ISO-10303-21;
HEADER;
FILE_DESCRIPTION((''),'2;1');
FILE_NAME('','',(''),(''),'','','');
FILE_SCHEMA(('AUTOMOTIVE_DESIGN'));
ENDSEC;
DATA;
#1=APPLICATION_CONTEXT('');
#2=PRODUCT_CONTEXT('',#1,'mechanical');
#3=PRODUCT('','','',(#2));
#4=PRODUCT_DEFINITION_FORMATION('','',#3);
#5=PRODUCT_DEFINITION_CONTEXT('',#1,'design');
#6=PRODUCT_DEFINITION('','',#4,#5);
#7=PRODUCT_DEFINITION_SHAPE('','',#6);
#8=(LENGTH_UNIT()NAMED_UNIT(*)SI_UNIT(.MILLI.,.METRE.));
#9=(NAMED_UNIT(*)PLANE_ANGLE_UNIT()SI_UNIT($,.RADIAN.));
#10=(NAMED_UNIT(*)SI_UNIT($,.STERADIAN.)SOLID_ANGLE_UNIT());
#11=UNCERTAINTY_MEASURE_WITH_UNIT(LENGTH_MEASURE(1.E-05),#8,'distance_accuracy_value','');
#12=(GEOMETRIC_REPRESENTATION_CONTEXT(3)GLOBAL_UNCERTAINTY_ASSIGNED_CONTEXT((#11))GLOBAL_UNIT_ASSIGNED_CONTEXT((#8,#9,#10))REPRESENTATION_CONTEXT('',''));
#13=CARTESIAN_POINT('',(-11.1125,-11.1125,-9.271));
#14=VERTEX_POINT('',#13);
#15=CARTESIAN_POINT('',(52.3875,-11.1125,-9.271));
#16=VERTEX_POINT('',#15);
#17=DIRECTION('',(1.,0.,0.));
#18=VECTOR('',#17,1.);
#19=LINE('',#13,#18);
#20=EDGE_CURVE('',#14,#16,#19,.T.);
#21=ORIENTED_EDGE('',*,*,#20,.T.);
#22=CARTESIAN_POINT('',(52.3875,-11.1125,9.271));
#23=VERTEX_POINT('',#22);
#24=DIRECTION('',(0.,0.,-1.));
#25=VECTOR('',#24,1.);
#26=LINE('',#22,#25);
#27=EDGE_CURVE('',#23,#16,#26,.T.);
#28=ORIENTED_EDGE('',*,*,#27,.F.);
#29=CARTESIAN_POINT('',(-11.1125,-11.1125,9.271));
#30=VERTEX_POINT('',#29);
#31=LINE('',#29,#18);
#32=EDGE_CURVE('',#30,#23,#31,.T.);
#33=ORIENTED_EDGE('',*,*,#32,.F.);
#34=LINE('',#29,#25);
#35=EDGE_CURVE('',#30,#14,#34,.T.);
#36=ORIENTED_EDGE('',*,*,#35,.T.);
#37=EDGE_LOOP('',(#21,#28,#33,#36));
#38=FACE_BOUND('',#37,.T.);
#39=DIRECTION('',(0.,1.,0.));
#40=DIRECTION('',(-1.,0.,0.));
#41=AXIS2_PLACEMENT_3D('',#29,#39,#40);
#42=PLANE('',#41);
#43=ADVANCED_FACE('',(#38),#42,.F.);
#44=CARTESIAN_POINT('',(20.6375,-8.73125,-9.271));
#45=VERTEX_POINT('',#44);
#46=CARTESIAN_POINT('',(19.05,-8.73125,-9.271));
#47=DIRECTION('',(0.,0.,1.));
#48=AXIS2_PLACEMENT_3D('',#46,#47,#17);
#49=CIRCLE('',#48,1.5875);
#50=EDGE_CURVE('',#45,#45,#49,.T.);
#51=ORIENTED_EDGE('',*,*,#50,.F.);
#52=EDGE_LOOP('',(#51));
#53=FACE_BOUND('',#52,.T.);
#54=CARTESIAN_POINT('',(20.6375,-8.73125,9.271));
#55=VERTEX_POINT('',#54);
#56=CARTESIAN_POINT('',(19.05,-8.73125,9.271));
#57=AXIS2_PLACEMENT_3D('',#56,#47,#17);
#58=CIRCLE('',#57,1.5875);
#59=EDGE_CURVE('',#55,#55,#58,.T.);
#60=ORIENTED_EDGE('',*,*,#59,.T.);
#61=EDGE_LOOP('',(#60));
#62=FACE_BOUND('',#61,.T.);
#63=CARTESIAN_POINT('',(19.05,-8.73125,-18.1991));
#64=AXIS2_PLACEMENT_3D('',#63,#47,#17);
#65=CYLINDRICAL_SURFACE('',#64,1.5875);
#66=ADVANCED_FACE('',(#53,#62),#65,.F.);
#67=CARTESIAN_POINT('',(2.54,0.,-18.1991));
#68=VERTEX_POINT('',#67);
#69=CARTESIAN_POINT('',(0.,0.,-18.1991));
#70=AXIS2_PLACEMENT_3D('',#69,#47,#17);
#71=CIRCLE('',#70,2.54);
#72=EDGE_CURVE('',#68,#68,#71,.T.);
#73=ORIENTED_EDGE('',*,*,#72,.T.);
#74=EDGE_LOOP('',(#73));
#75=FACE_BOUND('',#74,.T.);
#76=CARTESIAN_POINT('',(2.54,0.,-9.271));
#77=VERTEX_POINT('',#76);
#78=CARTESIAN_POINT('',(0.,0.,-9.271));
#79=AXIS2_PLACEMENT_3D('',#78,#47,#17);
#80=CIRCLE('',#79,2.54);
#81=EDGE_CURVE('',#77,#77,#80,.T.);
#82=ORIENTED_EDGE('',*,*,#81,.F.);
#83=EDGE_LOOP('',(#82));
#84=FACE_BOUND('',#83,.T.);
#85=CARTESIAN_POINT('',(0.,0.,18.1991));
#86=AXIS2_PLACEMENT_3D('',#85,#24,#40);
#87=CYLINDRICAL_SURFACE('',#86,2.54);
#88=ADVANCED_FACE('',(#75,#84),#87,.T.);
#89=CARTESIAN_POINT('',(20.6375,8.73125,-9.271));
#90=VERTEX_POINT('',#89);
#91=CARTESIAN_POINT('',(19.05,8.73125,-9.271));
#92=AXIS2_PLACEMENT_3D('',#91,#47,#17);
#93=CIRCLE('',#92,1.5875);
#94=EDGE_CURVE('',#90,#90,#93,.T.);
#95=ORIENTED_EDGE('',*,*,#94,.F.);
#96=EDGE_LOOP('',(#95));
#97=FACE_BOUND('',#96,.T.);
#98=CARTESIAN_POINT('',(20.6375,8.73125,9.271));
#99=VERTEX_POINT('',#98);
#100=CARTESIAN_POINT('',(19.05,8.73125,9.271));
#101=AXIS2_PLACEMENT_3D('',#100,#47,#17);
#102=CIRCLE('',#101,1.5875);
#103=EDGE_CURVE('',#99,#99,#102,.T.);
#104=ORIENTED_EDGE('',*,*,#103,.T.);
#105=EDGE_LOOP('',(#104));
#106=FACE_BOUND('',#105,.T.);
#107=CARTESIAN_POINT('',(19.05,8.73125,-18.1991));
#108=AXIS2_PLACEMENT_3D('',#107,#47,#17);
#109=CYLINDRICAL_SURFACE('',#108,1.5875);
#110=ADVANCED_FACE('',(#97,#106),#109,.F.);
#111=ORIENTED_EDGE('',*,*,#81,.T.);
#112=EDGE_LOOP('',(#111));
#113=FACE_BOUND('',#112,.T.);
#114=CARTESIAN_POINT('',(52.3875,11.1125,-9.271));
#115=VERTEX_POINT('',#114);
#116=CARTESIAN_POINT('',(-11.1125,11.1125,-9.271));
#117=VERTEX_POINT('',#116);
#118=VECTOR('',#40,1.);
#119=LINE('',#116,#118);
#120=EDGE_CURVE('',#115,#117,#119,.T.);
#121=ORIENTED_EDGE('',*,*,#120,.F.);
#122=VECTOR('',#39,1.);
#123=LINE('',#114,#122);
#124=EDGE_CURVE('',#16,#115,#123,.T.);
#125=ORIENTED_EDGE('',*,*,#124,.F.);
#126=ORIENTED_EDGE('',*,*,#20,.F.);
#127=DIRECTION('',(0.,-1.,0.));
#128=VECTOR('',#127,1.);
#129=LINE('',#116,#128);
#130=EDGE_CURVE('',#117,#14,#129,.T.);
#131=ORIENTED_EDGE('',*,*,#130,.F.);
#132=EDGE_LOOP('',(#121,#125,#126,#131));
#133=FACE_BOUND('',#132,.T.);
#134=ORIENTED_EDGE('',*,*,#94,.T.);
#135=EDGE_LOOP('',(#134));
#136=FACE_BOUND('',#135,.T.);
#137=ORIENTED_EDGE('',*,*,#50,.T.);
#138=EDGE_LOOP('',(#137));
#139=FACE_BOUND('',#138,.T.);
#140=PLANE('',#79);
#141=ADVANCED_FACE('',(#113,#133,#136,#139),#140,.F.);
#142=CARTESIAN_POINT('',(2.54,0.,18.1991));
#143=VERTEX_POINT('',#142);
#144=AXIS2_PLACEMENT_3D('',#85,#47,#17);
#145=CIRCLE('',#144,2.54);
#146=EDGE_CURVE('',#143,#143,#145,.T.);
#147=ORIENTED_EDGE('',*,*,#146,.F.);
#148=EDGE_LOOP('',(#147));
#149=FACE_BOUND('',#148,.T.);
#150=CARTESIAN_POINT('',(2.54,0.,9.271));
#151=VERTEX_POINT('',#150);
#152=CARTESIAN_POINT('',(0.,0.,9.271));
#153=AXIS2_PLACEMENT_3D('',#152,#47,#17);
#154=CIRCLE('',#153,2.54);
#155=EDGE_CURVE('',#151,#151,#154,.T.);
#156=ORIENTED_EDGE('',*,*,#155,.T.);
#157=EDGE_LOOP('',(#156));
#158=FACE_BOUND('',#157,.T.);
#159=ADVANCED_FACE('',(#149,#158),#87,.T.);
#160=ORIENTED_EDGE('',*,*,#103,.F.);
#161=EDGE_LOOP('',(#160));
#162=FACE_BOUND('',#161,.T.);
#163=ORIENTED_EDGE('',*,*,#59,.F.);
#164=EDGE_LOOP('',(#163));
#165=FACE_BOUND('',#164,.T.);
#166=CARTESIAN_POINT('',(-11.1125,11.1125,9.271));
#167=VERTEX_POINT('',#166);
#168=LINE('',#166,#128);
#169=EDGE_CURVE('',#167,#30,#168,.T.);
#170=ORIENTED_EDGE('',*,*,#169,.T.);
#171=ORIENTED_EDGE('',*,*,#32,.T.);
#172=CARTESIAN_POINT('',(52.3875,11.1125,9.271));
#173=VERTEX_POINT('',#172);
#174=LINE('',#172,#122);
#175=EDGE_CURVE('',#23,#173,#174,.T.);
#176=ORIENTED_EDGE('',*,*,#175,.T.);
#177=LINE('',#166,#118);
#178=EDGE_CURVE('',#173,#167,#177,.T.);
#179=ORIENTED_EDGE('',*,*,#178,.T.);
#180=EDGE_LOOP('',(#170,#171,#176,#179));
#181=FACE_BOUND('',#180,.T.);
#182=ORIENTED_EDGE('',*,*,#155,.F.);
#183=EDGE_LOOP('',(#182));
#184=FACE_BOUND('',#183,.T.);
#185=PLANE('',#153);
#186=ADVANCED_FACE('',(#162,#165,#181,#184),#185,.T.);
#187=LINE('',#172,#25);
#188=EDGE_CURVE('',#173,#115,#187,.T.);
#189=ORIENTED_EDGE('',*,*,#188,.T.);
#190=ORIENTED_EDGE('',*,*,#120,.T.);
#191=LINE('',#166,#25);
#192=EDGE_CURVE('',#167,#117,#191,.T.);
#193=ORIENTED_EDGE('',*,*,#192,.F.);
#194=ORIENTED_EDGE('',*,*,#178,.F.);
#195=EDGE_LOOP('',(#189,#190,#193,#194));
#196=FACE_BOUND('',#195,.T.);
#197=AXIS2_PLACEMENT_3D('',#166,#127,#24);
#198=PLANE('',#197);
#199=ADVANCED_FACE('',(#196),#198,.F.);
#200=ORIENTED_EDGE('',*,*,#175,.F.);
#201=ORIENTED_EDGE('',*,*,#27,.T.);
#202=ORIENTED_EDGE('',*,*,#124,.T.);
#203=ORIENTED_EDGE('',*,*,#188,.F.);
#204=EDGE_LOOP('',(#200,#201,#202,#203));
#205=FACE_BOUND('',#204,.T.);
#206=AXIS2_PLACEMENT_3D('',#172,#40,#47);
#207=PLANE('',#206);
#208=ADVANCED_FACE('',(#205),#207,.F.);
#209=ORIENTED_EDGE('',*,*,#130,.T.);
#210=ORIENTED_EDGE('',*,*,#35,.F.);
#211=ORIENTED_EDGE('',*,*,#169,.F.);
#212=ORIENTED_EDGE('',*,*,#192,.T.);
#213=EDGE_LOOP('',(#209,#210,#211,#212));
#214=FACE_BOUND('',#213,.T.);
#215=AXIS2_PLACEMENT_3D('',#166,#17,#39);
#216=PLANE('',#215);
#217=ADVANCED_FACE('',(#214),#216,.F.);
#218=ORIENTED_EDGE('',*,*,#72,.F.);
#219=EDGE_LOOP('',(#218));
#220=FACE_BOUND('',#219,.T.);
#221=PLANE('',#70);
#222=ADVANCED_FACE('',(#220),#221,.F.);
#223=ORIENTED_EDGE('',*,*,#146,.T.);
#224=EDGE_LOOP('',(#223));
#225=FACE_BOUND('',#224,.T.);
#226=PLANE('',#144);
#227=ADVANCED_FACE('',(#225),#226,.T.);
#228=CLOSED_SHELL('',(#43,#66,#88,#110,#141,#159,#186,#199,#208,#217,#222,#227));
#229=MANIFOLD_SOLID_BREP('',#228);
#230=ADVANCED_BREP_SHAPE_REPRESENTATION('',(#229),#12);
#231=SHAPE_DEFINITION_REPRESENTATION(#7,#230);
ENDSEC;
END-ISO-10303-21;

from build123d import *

# Parameters (mm, degrees)
SKETCH1_R               = 2.54
BOSS_EXTRUDE1_DEPTH     = 18.1991
SKETCH2_W               = 63.5
SKETCH2_H               = 22.225
BOSS_EXTRUDE2_DEPTH     = 9.271
CUT_EXTRUDE1_DEPTH      = 61.187575184
CUT_EXTRUDE1_DEPTH_BACK = 61.187575184
SKETCH3_R               = 1.5875


with BuildPart() as part:
    # Sketch1 → Boss-Extrude1 (new, symmetric)
    with BuildSketch(Plane.XY):
        Circle(SKETCH1_R)
    extrude(amount=BOSS_EXTRUDE1_DEPTH, both=True)

    # Sketch2 → Boss-Extrude2 (add, symmetric)
    with BuildSketch(Plane.XY):
        with Locations((20.6375, 0)):
            Rectangle(SKETCH2_W, SKETCH2_H)
    extrude(amount=BOSS_EXTRUDE2_DEPTH, both=True)

    # Sketch3 → Cut-Extrude1 (cut, two sides: drawn at the far end of the back side and taken through both)
    with BuildSketch(Plane.XY.offset(9.271).offset(-CUT_EXTRUDE1_DEPTH_BACK)):
        with Locations((19.05, -8.73125)):
            Circle(SKETCH3_R)
        with Locations((19.05, 8.73125)):
            Circle(SKETCH3_R)
    extrude(amount=CUT_EXTRUDE1_DEPTH + CUT_EXTRUDE1_DEPTH_BACK, mode=Mode.SUBTRACT)


solid = part.part
